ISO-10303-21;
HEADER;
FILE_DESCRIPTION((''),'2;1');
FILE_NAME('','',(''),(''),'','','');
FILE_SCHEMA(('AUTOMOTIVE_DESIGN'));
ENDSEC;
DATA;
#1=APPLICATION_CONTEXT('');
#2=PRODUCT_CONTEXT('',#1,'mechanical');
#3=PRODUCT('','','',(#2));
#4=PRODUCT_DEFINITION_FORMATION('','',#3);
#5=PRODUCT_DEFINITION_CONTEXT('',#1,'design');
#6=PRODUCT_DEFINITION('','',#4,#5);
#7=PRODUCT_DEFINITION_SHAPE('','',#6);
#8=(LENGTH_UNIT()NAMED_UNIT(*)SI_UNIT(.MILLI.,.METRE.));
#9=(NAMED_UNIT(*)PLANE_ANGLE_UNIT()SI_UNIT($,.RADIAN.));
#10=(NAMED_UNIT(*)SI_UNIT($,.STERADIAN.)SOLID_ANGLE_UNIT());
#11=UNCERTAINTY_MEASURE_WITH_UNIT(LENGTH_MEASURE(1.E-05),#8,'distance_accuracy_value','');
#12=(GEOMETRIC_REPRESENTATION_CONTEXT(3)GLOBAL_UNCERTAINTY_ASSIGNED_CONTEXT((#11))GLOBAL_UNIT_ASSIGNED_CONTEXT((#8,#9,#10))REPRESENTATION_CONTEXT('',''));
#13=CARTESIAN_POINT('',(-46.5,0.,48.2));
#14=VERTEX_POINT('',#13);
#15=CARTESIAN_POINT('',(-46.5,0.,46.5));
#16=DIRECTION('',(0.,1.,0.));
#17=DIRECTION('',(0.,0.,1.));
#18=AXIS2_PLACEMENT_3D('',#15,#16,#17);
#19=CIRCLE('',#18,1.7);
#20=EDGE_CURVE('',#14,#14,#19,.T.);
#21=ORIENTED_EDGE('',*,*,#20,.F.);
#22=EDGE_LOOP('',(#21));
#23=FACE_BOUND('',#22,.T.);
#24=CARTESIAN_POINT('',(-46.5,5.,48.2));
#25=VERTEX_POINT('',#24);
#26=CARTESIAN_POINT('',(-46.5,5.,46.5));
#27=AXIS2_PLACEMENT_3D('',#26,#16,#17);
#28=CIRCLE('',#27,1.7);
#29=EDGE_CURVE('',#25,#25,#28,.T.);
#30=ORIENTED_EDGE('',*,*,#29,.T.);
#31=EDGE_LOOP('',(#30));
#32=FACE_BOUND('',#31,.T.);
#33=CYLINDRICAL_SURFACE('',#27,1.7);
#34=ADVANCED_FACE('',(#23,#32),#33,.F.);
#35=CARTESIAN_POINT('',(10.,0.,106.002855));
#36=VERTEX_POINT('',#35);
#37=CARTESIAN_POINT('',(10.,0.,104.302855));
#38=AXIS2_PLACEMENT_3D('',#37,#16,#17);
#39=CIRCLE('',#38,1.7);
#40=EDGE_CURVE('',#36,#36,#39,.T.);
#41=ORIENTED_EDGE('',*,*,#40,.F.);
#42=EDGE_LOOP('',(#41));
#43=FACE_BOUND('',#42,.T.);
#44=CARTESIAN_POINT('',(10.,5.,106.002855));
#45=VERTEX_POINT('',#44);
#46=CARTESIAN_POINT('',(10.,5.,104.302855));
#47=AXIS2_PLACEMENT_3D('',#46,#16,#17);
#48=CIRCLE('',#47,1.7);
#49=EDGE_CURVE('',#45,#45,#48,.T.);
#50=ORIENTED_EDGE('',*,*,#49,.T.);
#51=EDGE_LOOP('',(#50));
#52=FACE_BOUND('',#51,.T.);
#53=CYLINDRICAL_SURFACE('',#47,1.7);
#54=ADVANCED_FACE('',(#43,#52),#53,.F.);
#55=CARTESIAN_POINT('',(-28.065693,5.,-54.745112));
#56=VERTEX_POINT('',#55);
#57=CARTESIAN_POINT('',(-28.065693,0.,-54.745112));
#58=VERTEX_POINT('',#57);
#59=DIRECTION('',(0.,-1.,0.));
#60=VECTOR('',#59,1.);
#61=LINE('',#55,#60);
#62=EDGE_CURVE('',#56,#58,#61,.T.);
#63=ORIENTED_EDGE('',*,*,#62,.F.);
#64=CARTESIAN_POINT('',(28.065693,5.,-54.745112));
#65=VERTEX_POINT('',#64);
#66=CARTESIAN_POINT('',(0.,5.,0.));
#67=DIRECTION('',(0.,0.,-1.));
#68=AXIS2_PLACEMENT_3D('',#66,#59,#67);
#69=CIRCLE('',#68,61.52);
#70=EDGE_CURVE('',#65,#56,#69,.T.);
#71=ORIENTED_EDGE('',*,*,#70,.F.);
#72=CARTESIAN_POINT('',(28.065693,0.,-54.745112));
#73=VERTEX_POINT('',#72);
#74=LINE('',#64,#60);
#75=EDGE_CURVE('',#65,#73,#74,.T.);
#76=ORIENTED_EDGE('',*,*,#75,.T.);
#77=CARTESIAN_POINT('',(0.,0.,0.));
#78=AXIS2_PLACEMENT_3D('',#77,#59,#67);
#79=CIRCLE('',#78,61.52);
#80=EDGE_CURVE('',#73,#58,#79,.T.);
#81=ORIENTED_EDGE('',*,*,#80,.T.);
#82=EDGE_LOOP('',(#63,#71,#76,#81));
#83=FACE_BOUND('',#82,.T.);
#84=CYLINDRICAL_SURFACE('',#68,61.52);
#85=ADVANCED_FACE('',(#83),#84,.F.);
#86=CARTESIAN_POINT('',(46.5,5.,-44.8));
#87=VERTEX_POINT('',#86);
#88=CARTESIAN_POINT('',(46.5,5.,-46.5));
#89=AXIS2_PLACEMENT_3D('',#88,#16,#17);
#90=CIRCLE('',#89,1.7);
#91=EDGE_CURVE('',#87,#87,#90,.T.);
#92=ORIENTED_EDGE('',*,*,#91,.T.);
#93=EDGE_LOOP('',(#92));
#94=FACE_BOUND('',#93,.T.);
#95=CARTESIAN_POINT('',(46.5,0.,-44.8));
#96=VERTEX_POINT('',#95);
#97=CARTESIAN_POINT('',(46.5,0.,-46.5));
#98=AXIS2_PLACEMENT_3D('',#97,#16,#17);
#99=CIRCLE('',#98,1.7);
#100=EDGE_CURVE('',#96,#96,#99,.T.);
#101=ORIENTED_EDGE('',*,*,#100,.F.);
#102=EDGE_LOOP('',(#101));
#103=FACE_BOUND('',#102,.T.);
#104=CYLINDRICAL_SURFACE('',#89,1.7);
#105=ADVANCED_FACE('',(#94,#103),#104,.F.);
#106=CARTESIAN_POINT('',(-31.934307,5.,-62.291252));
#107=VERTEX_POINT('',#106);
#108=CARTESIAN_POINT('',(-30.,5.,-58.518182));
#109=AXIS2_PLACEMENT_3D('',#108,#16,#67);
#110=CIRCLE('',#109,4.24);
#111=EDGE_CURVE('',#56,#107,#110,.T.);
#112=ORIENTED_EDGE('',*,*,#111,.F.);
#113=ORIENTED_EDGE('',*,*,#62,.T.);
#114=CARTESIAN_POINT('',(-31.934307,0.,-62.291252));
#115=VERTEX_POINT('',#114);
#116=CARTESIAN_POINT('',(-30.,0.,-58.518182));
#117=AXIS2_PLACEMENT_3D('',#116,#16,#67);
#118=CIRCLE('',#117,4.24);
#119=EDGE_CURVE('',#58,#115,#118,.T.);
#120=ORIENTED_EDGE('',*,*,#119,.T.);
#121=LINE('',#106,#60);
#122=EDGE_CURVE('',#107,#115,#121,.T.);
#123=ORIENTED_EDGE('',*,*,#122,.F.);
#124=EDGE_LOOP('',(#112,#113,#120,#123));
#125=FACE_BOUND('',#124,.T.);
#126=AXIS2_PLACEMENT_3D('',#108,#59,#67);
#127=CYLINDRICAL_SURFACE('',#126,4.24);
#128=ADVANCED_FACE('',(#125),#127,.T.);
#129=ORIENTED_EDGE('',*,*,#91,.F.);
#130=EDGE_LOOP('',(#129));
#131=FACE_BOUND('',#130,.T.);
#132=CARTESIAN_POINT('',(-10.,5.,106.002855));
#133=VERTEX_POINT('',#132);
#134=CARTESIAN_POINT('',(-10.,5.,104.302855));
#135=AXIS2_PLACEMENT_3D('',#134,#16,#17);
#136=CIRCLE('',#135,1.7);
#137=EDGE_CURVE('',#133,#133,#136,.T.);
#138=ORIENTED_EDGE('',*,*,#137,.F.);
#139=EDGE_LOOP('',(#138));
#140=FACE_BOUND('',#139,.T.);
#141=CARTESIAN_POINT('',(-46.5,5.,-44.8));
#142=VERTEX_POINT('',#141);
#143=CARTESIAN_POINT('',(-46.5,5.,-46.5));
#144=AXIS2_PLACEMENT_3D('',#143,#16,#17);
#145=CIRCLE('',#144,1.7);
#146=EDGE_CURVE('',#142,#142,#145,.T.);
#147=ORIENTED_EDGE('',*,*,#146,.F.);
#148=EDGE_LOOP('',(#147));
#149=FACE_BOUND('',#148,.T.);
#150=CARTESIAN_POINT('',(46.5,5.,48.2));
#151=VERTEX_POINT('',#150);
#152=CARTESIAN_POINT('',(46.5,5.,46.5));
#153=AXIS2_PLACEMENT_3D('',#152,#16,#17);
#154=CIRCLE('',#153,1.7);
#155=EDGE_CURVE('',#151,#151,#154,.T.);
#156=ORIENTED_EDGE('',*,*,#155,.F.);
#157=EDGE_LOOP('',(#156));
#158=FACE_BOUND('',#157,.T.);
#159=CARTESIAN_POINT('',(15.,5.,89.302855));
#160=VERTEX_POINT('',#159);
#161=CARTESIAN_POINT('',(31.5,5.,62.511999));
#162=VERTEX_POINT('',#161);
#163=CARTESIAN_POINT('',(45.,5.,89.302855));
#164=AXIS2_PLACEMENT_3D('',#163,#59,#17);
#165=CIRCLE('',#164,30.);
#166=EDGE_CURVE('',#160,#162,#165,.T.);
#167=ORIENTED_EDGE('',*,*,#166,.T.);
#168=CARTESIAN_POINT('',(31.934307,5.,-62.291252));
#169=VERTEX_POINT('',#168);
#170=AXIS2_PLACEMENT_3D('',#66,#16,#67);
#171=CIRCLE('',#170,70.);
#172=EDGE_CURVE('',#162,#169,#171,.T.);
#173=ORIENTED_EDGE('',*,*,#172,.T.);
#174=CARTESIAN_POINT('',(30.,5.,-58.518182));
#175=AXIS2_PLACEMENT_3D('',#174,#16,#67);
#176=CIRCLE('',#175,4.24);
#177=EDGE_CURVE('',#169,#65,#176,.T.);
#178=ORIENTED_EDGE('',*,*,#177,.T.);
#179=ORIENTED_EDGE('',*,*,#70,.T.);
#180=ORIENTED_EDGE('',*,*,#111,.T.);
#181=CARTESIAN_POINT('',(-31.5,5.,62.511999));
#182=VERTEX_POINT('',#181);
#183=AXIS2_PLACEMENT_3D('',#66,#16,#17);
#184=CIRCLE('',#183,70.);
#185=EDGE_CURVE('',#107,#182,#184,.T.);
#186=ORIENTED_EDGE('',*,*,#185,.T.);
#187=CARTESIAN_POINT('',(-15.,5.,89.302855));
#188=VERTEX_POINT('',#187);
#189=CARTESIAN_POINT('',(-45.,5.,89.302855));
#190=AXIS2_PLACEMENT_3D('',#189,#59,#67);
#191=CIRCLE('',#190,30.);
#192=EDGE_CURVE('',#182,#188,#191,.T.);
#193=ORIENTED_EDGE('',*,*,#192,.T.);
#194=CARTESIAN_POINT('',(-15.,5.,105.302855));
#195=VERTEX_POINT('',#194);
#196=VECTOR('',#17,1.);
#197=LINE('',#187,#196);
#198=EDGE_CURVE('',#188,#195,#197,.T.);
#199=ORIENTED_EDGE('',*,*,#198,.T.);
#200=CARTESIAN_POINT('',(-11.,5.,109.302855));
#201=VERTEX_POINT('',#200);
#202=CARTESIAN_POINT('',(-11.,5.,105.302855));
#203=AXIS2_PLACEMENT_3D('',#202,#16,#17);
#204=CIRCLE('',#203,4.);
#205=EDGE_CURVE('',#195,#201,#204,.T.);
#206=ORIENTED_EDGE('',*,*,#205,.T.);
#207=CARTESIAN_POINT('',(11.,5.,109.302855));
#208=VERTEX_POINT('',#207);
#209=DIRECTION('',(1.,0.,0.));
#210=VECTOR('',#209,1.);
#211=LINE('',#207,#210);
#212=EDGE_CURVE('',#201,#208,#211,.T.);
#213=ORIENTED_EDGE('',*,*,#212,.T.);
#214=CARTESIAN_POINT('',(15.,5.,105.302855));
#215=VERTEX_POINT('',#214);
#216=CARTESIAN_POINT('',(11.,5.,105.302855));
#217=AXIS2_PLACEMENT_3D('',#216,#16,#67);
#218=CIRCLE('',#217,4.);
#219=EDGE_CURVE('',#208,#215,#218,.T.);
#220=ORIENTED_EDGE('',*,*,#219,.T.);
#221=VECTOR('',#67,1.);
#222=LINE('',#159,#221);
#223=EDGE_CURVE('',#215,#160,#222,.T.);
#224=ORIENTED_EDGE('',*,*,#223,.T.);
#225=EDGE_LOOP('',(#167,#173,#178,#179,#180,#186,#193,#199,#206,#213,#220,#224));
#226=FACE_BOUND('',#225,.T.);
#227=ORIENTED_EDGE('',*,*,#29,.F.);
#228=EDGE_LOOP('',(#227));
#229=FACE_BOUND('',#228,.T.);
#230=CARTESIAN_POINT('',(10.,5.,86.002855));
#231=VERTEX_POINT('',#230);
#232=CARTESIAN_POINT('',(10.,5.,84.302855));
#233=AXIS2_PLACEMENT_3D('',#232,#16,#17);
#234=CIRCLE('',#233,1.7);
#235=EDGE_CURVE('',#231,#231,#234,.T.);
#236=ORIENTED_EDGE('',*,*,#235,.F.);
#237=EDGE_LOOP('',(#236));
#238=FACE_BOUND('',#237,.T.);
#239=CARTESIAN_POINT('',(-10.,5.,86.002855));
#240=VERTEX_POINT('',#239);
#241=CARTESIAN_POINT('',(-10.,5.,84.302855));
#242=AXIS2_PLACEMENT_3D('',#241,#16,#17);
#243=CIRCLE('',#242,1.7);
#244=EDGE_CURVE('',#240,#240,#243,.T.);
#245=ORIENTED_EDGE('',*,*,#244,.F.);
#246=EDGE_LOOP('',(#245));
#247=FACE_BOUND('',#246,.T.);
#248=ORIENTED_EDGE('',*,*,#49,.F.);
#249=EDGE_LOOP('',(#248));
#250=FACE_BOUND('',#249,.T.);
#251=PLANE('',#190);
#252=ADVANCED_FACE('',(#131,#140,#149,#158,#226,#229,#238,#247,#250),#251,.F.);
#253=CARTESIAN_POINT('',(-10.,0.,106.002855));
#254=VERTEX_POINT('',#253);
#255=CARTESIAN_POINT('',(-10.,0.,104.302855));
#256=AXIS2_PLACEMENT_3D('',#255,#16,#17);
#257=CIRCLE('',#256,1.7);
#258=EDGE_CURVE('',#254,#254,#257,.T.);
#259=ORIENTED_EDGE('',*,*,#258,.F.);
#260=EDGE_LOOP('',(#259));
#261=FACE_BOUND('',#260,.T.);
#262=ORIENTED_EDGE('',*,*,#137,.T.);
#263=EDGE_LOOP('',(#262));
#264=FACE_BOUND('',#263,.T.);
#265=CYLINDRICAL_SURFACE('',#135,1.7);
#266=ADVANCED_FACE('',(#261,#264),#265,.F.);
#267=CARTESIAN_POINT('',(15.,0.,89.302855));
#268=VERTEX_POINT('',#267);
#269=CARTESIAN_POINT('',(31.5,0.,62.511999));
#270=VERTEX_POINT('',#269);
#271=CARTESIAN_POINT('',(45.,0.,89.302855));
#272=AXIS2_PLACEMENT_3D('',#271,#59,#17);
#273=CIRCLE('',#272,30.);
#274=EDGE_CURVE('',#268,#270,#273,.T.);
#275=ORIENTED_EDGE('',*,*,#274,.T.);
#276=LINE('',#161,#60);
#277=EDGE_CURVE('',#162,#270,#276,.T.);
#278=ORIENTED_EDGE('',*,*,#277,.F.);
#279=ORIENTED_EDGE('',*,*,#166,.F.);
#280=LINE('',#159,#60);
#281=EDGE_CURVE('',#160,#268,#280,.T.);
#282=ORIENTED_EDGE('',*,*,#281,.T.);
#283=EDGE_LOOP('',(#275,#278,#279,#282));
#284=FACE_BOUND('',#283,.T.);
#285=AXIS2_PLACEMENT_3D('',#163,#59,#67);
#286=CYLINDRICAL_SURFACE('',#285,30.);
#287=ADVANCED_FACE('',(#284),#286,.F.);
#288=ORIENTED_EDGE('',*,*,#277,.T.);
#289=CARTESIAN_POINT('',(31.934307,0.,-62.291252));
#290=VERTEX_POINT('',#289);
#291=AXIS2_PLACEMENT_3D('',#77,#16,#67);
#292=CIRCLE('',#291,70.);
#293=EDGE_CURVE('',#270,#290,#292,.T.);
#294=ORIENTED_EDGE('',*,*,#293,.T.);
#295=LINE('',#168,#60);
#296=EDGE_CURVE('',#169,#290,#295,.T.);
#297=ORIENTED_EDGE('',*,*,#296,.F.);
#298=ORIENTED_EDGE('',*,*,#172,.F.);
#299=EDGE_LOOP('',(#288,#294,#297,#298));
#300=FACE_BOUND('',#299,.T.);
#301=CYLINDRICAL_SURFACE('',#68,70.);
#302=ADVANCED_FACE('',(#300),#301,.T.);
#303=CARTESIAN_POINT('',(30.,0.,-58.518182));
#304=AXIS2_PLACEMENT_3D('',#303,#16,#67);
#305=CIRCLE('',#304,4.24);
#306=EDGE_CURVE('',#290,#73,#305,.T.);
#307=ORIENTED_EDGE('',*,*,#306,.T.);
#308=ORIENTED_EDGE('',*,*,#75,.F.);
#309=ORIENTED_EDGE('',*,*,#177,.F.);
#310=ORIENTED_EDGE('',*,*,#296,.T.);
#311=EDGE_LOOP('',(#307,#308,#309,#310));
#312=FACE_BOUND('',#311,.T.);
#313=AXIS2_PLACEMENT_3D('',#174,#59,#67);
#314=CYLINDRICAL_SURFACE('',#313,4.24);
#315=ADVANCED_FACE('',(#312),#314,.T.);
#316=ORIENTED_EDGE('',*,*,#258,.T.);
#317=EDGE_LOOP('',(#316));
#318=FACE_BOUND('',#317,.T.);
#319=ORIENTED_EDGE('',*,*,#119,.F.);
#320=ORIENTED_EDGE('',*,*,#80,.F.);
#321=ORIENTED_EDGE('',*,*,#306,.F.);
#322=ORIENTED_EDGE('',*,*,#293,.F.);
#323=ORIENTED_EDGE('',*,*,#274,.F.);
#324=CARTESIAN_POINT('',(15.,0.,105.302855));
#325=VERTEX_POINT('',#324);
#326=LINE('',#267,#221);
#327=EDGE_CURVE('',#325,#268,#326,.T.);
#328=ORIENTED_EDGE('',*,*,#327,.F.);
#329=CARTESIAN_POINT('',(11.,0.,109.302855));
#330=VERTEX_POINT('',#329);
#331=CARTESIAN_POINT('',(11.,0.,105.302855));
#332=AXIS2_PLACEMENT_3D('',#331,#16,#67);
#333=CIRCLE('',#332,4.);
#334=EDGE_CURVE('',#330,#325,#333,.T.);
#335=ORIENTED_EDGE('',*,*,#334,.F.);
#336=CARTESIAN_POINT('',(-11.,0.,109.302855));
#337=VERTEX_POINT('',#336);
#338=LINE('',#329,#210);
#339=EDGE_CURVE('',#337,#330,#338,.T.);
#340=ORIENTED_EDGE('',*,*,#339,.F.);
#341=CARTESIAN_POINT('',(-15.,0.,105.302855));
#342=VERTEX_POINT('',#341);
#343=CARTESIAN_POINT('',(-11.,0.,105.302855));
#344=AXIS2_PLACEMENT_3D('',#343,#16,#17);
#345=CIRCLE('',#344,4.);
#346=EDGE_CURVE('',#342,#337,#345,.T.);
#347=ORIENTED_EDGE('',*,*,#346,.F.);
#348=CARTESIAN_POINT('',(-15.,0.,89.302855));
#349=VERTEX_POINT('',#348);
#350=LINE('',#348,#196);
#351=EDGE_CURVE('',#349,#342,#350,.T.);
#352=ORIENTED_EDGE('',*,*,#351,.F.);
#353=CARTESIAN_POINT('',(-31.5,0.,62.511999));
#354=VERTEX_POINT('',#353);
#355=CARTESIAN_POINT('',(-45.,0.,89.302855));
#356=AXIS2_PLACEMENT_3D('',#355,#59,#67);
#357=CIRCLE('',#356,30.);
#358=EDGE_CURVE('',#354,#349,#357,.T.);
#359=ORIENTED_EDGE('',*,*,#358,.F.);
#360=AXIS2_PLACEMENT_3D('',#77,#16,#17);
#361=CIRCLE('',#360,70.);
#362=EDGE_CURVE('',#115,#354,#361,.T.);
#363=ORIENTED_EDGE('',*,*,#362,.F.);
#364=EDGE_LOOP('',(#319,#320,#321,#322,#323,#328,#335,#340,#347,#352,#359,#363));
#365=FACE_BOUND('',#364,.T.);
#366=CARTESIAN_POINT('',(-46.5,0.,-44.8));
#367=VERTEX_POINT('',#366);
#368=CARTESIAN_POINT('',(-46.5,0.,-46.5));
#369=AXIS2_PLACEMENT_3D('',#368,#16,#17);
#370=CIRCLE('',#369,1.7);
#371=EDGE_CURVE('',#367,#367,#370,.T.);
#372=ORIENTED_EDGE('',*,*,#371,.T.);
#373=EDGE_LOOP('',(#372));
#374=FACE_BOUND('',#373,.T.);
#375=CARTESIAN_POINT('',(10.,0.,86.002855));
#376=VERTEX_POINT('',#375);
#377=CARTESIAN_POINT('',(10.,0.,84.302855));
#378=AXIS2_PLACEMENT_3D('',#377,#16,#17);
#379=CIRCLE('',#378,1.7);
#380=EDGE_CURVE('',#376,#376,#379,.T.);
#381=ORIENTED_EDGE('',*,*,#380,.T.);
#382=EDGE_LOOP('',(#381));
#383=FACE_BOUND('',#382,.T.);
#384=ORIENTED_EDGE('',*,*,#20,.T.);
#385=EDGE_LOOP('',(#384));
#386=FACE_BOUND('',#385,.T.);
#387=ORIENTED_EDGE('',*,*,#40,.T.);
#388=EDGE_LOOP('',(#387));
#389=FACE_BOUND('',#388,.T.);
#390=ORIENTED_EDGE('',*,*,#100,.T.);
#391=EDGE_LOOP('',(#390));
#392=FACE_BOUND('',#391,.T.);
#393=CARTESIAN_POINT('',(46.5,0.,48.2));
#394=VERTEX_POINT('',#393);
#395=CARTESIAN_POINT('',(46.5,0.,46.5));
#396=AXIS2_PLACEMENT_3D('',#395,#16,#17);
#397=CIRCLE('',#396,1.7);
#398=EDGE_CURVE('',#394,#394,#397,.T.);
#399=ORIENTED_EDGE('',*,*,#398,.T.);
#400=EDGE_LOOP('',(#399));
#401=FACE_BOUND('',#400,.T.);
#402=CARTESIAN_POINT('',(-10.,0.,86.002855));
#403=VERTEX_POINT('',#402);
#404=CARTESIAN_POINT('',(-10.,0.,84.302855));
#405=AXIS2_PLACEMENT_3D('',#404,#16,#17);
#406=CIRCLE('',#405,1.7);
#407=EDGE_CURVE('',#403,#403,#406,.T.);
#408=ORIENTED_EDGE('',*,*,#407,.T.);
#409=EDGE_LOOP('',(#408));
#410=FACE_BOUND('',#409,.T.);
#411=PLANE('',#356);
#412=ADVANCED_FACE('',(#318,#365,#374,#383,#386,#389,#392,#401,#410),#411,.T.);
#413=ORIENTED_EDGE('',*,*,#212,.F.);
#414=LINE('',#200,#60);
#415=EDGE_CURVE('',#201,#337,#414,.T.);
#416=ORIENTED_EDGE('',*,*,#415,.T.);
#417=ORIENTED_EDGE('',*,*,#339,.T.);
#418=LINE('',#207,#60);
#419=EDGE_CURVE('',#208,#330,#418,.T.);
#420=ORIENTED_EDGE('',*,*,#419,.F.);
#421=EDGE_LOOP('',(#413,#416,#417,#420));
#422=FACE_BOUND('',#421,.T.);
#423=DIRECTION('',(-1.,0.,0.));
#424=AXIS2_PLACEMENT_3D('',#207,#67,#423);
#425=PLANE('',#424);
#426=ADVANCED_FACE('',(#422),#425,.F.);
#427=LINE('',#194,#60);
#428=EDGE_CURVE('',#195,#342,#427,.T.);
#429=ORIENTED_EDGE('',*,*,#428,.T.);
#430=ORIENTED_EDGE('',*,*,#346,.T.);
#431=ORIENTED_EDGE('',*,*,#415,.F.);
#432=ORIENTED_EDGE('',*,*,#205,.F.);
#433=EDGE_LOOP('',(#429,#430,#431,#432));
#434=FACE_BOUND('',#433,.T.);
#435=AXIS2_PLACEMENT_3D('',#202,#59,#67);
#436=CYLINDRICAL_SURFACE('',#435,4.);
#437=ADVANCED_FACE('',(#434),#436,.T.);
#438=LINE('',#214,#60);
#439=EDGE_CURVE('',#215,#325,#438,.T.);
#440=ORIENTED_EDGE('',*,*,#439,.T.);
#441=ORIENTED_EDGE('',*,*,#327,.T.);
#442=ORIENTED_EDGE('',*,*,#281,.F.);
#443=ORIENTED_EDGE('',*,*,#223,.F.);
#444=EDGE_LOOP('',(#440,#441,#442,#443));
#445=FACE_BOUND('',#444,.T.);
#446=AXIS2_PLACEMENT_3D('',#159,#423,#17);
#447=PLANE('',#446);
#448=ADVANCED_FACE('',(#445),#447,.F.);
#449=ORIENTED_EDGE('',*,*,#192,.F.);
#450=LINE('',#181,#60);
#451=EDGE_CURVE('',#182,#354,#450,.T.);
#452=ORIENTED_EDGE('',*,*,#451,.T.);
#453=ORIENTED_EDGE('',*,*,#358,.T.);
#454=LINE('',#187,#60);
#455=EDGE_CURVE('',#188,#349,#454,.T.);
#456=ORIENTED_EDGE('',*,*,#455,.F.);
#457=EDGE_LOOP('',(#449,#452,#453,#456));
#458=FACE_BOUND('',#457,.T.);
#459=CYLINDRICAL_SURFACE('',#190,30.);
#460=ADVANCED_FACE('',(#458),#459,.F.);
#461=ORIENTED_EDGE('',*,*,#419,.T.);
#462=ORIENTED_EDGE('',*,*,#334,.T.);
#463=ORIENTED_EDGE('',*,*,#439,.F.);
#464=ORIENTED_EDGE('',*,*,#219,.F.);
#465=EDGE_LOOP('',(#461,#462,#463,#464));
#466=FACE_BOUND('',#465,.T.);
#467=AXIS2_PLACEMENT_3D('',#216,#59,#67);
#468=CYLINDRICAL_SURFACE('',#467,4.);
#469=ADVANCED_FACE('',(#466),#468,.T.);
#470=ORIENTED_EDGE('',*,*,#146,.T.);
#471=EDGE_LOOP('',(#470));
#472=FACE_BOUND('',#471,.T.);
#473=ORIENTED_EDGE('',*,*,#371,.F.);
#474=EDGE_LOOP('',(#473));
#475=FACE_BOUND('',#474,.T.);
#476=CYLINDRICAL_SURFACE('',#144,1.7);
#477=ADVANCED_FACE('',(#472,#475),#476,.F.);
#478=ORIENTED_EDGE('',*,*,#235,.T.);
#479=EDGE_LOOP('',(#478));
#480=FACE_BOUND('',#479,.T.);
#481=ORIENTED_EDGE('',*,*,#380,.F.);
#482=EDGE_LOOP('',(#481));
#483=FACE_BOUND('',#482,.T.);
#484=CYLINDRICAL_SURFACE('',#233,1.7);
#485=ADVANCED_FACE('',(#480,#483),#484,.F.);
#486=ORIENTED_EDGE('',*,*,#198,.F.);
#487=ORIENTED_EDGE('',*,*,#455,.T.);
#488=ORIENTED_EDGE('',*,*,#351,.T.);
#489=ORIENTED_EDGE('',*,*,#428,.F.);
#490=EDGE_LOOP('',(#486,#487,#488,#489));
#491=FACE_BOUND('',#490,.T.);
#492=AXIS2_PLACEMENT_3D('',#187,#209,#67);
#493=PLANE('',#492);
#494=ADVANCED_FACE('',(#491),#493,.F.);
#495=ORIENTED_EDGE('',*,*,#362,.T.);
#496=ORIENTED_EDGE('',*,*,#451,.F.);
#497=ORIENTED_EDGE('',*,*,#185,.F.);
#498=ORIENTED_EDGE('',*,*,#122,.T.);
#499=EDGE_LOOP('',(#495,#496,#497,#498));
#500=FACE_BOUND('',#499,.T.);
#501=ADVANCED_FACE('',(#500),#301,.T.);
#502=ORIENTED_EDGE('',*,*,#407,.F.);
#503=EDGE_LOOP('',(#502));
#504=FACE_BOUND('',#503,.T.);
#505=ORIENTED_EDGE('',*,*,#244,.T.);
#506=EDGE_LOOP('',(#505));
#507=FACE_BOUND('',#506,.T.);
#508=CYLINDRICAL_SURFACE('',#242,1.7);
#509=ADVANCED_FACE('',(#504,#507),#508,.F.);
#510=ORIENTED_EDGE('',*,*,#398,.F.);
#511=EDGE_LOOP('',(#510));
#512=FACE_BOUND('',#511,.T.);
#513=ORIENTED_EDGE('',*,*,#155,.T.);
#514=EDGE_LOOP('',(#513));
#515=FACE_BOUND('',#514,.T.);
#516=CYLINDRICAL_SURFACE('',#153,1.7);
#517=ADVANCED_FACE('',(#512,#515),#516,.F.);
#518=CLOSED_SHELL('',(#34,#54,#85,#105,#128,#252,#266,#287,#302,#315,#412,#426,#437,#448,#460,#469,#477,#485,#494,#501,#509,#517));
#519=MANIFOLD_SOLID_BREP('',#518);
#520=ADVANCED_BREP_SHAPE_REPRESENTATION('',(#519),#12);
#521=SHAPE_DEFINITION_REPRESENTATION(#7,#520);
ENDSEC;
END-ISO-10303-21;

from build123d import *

# Parameters (mm, degrees)
BOSS_EXTRU_1_DEPTH = 5
D_GAGEMENT_M31_D   = 3.4


with BuildPart() as part:
    # Esquisse1 → Boss.-Extru.1 (new body)
    with BuildSketch(Plane(origin=(0, 0, 0), x_dir=(1, 0, 0), z_dir=(0, 1, 0))):
        with BuildLine():
            Line((-15, -89.302855497), (-15, -105.302855497))
            ThreePointArc((-15, -105.302855497), (-13.828427125, -108.131282622), (-11, -109.302855497))
            Line((-11, -109.302855497), (11, -109.302855497))
            ThreePointArc((11, -109.302855497), (13.828427125, -108.131282622), (15, -105.302855497))
            Line((15, -105.302855497), (15, -89.302855497))
            ThreePointArc((15, -89.302855497), (19.455920451, -73.570722775), (31.5, -62.511998848))
            ThreePointArc((31.5, -62.511998848), (69.999576157, -0.243593621), (31.934306569, 62.291251905))
            ThreePointArc((31.934306569, 62.291251905), (26.226929885, 60.452488359), (28.065693431, 54.745111675))
            ThreePointArc((28.065693431, 54.745111675), (0, -61.52), (-28.065693431, 54.745111675))
            ThreePointArc((-28.065693431, 54.745111675), (-26.226929885, 60.452488359), (-31.934306569, 62.291251905))
            ThreePointArc((-31.934306569, 62.291251905), (-69.999576157, -0.243593621), (-31.5, -62.511998848))
            ThreePointArc((-31.5, -62.511998848), (-19.455920451, -73.570722775), (-15, -89.302855497))
        make_face()
    extrude(amount=BOSS_EXTRU_1_DEPTH)

    # Dégagement M31 (through all)
    with Locations(Plane(origin=(0, 5, 0), x_dir=(1, 0, 0), z_dir=(0, 1, 0))):
        with Locations((46.5, 46.5), (46.5, -46.5), (-46.5, -46.5), (-46.5, 46.5), (-10, -84.302855497), (10, -84.302855497), (10, -104.302855497), (-10, -104.302855497)):
            Hole(D_GAGEMENT_M31_D / 2)


solid = part.part
